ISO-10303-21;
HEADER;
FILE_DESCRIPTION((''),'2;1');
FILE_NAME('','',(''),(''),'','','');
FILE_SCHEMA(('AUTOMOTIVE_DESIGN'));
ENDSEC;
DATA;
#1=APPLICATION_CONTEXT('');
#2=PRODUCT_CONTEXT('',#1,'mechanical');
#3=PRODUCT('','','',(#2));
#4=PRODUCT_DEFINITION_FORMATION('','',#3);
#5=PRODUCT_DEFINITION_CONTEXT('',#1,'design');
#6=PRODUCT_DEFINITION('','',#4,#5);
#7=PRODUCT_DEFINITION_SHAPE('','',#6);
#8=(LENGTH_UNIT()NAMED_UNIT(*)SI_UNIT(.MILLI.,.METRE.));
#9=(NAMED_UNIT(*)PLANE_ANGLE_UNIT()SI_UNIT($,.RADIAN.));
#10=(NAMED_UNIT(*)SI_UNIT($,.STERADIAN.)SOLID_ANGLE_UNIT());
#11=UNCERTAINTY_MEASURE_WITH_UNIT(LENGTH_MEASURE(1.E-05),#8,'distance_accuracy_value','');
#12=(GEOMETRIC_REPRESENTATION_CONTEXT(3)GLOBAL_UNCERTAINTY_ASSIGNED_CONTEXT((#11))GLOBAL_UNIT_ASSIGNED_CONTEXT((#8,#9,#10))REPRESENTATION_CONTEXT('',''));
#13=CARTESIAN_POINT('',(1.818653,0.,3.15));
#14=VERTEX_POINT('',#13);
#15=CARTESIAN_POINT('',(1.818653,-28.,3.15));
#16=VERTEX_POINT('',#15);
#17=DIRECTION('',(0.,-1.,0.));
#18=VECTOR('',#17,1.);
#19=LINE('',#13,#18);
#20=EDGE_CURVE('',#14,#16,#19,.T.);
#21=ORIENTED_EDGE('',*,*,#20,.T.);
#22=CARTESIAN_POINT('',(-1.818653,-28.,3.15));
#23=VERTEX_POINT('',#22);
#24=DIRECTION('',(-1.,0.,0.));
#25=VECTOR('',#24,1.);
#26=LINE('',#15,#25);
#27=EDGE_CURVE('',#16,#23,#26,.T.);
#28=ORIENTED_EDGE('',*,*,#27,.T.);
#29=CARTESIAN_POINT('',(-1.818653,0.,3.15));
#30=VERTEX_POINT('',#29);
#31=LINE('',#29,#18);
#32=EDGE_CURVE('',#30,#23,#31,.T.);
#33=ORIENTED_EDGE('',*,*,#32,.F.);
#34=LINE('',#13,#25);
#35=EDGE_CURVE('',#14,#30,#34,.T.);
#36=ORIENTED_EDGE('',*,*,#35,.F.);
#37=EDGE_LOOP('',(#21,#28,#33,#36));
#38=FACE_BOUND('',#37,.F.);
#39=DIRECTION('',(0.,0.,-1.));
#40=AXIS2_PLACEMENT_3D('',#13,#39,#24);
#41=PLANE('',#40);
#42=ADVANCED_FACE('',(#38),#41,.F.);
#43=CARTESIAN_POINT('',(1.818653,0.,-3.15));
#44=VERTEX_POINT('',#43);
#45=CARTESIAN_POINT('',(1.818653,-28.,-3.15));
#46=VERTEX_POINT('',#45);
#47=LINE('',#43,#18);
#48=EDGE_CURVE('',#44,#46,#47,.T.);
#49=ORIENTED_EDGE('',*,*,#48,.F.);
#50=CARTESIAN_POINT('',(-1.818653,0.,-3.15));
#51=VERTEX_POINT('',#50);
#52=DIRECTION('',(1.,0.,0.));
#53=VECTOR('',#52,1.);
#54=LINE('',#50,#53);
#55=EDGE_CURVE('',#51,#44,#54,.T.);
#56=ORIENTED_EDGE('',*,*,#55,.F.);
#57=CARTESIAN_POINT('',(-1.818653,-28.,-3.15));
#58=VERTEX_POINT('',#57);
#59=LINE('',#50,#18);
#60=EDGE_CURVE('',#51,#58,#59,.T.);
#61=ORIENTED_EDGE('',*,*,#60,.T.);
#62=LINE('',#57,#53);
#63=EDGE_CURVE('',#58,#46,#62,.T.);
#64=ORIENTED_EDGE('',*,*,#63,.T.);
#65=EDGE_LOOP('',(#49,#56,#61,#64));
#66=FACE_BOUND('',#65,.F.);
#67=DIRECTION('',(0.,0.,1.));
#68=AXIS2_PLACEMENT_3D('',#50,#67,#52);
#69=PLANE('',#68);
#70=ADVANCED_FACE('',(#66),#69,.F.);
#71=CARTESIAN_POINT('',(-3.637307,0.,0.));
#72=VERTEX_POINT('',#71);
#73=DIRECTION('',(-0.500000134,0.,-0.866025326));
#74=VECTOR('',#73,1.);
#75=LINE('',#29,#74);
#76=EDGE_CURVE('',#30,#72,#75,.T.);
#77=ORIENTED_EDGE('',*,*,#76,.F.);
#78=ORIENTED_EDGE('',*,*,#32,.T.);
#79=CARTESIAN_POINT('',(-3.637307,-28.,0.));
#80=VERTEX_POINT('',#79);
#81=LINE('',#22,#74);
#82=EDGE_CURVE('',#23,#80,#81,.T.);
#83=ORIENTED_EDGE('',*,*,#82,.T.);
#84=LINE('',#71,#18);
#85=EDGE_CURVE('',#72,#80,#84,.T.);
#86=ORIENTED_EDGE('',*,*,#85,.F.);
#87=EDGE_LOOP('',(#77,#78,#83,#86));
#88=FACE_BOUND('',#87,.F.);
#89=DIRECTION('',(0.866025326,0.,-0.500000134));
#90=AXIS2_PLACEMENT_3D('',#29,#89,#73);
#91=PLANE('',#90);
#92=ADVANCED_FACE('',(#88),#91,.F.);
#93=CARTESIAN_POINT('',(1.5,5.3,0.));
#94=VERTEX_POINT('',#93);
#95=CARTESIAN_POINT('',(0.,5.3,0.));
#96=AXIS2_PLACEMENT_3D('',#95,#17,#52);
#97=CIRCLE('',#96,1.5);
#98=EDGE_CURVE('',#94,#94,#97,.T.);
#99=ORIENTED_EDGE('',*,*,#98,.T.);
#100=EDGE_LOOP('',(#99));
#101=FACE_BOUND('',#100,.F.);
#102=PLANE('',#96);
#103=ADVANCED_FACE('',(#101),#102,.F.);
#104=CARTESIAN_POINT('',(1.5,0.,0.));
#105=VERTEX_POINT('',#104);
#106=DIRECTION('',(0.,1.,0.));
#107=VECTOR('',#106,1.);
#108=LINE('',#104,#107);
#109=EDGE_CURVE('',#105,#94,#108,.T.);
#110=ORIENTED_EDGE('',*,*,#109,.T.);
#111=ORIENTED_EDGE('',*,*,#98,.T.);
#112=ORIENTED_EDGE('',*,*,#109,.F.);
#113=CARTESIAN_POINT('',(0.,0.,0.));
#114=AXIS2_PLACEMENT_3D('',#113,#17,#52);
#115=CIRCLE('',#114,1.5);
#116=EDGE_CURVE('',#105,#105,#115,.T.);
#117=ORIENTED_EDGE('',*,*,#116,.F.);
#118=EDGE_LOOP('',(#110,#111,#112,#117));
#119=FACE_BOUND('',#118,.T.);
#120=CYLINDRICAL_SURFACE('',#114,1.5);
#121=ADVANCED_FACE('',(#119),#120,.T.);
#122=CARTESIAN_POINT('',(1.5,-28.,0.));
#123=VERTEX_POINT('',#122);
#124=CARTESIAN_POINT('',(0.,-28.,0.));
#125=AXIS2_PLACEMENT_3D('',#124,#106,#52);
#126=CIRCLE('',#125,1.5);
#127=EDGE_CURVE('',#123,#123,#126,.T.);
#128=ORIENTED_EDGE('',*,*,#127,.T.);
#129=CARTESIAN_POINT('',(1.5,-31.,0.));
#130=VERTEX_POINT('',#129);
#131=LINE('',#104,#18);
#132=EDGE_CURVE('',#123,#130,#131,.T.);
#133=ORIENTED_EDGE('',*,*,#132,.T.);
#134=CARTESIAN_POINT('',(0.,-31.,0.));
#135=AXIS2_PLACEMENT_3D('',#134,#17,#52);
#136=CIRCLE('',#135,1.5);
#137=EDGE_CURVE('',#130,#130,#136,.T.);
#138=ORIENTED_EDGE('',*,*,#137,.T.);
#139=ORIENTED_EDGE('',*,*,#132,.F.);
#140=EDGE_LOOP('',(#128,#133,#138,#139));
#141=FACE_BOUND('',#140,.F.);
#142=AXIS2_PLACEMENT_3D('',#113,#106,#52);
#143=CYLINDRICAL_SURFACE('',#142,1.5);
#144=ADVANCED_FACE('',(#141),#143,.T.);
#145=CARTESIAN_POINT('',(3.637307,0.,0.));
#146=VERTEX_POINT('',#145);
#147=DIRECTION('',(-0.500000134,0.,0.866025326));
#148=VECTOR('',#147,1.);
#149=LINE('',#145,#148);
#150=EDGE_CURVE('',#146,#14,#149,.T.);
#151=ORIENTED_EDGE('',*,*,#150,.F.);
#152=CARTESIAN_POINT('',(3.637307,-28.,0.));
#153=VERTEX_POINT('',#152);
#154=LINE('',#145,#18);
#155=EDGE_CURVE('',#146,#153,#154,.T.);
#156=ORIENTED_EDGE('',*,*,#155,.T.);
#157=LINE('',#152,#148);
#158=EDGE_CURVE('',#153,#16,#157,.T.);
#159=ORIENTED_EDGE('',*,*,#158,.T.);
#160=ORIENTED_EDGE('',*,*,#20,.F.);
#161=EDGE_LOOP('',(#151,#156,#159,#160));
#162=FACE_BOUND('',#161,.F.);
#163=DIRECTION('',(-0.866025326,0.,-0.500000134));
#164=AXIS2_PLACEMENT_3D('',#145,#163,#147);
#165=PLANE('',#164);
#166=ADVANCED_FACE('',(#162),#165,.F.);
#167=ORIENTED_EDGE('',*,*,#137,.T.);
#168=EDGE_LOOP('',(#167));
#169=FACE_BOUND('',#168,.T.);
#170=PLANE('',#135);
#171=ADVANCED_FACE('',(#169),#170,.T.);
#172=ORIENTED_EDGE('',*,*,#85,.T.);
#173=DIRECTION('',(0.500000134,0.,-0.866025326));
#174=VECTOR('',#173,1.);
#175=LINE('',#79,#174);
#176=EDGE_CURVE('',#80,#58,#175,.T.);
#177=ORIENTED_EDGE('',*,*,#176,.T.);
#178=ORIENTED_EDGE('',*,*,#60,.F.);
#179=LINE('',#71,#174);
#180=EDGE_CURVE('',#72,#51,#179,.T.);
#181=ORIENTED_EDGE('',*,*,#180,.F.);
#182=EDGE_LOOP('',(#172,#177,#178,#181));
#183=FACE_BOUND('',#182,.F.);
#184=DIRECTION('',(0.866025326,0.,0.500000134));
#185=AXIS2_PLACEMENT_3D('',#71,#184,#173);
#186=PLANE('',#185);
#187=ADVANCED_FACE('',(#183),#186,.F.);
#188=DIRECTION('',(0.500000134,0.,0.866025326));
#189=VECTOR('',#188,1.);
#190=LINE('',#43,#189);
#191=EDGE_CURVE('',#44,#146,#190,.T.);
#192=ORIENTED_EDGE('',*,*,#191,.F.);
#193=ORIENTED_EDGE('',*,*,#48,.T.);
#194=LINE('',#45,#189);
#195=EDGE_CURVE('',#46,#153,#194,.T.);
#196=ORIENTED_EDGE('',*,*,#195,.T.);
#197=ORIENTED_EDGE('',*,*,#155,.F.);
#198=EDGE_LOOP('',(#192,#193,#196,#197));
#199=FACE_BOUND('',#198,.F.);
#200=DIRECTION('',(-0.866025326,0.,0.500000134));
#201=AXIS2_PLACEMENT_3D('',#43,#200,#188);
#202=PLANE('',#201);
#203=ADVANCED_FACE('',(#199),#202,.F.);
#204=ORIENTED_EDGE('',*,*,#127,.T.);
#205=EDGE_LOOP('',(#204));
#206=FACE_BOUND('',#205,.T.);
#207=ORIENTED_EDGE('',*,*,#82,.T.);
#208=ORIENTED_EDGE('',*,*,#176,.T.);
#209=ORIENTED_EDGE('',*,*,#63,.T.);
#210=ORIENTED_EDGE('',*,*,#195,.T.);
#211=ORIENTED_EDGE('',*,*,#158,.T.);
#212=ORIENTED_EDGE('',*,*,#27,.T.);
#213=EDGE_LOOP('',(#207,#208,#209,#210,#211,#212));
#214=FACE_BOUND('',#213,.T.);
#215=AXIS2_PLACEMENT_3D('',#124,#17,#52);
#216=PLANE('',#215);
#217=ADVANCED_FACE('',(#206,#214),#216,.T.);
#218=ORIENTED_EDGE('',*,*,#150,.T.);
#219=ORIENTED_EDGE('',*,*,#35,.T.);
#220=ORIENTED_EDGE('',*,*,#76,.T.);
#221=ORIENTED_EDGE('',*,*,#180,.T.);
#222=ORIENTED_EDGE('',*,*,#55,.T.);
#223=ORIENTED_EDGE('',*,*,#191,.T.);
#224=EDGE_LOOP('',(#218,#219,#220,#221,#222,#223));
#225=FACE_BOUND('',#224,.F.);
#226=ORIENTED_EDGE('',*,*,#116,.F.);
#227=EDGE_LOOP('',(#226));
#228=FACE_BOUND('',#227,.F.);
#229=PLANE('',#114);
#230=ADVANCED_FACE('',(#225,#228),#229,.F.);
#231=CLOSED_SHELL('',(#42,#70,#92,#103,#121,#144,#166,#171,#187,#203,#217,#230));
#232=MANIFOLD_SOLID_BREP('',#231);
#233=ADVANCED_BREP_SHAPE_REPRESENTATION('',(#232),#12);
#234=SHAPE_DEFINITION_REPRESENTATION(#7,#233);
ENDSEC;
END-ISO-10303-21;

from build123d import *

# Parameters (mm, degrees)
F1_DEPTH = 28
F2_R     = 1.5
F3_DEPTH = 5.3
F4_R     = 1.5
F5_DEPTH = 31


with BuildPart() as f1:
    # F0 (on Front) → F1 (new body)
    with BuildSketch(Plane.XZ):
        Polygon((1.818653, 3.15), (-1.818653, 3.15), (-3.637307, 0), (-1.818653, -3.15), (1.818653, -3.15), (3.637307, 0), align=None)
    extrude(amount=F1_DEPTH)

    # F2 (on Front) → F3 (join)
    with BuildSketch(Plane.XZ):
        Circle(F2_R)
    extrude(amount=-F3_DEPTH)

    # F4 (on Front) → F5 (join)
    with BuildSketch(Plane.XZ):
        Circle(F4_R)
    extrude(amount=F5_DEPTH)


solid = f1.part
